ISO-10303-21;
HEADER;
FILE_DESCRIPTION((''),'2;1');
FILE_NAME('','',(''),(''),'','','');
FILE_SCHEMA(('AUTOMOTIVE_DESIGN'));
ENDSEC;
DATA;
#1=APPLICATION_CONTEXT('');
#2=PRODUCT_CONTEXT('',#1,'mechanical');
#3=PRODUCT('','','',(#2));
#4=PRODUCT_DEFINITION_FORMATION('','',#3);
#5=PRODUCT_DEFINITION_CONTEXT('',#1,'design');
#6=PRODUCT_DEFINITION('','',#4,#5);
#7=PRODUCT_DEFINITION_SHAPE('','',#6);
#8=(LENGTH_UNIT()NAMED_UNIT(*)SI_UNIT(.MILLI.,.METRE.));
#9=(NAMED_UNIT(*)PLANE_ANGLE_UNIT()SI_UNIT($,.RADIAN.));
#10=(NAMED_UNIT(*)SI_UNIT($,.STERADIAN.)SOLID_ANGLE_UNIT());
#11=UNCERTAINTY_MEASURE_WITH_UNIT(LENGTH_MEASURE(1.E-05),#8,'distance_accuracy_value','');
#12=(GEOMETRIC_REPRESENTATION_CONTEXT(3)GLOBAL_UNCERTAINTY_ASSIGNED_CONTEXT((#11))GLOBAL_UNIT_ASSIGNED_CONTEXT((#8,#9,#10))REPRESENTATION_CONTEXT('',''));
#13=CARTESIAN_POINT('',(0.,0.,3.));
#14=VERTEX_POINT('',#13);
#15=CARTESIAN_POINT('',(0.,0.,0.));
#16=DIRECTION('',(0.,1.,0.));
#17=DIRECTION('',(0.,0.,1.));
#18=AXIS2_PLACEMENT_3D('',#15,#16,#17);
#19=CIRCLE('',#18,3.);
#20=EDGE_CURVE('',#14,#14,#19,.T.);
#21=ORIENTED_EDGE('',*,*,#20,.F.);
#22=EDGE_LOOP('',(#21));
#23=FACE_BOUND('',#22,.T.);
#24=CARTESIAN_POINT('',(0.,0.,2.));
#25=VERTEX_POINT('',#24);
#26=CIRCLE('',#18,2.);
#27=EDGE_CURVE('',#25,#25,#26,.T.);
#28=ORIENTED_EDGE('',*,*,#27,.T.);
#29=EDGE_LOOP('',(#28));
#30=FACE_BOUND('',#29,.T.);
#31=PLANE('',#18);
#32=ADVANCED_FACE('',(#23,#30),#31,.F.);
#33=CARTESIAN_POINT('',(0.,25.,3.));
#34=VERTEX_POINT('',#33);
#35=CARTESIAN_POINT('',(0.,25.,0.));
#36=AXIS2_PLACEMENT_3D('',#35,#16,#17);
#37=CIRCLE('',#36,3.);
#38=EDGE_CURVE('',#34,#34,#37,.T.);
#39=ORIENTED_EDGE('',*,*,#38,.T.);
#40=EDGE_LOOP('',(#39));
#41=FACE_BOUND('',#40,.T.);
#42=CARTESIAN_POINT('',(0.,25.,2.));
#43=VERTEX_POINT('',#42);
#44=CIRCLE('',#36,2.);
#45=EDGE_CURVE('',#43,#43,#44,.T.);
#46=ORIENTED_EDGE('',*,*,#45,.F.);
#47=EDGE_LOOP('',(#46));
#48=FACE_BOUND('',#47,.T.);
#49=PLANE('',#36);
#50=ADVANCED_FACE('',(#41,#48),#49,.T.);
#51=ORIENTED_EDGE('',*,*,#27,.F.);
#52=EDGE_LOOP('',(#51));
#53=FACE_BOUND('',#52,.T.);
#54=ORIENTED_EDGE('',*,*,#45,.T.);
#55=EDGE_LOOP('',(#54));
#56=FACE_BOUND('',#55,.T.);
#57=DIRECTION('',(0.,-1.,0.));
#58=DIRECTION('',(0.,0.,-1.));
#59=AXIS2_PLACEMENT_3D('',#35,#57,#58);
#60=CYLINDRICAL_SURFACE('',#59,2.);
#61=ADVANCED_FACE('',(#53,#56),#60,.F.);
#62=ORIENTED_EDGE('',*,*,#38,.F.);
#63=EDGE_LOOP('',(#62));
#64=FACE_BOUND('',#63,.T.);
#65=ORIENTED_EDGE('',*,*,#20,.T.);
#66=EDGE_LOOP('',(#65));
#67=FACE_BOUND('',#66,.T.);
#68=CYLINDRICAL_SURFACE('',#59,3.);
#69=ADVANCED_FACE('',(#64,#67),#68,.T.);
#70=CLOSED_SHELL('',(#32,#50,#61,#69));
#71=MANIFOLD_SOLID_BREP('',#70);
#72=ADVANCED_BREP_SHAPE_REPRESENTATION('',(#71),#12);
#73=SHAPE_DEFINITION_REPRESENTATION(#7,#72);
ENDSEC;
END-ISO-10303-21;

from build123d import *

# Parameters (mm, degrees)
SKETCH1_R           = 3
SKETCH1_R_2         = 2
BOSS_EXTRUDE1_DEPTH = 25


with BuildPart() as part:
    # Sketch1 → Boss-Extrude1 (new body)
    with BuildSketch(Plane(origin=(0, 0, 0), x_dir=(1, 0, 0), z_dir=(0, 1, 0))):
        with Locations(Location((0, 0, 0), (0, 0, 270))):
            Circle(SKETCH1_R)
        with Locations(Location((0, 0, 0), (0, 0, 270))):
            Circle(SKETCH1_R_2, mode=Mode.SUBTRACT)
    extrude(amount=BOSS_EXTRUDE1_DEPTH)


solid = part.part
